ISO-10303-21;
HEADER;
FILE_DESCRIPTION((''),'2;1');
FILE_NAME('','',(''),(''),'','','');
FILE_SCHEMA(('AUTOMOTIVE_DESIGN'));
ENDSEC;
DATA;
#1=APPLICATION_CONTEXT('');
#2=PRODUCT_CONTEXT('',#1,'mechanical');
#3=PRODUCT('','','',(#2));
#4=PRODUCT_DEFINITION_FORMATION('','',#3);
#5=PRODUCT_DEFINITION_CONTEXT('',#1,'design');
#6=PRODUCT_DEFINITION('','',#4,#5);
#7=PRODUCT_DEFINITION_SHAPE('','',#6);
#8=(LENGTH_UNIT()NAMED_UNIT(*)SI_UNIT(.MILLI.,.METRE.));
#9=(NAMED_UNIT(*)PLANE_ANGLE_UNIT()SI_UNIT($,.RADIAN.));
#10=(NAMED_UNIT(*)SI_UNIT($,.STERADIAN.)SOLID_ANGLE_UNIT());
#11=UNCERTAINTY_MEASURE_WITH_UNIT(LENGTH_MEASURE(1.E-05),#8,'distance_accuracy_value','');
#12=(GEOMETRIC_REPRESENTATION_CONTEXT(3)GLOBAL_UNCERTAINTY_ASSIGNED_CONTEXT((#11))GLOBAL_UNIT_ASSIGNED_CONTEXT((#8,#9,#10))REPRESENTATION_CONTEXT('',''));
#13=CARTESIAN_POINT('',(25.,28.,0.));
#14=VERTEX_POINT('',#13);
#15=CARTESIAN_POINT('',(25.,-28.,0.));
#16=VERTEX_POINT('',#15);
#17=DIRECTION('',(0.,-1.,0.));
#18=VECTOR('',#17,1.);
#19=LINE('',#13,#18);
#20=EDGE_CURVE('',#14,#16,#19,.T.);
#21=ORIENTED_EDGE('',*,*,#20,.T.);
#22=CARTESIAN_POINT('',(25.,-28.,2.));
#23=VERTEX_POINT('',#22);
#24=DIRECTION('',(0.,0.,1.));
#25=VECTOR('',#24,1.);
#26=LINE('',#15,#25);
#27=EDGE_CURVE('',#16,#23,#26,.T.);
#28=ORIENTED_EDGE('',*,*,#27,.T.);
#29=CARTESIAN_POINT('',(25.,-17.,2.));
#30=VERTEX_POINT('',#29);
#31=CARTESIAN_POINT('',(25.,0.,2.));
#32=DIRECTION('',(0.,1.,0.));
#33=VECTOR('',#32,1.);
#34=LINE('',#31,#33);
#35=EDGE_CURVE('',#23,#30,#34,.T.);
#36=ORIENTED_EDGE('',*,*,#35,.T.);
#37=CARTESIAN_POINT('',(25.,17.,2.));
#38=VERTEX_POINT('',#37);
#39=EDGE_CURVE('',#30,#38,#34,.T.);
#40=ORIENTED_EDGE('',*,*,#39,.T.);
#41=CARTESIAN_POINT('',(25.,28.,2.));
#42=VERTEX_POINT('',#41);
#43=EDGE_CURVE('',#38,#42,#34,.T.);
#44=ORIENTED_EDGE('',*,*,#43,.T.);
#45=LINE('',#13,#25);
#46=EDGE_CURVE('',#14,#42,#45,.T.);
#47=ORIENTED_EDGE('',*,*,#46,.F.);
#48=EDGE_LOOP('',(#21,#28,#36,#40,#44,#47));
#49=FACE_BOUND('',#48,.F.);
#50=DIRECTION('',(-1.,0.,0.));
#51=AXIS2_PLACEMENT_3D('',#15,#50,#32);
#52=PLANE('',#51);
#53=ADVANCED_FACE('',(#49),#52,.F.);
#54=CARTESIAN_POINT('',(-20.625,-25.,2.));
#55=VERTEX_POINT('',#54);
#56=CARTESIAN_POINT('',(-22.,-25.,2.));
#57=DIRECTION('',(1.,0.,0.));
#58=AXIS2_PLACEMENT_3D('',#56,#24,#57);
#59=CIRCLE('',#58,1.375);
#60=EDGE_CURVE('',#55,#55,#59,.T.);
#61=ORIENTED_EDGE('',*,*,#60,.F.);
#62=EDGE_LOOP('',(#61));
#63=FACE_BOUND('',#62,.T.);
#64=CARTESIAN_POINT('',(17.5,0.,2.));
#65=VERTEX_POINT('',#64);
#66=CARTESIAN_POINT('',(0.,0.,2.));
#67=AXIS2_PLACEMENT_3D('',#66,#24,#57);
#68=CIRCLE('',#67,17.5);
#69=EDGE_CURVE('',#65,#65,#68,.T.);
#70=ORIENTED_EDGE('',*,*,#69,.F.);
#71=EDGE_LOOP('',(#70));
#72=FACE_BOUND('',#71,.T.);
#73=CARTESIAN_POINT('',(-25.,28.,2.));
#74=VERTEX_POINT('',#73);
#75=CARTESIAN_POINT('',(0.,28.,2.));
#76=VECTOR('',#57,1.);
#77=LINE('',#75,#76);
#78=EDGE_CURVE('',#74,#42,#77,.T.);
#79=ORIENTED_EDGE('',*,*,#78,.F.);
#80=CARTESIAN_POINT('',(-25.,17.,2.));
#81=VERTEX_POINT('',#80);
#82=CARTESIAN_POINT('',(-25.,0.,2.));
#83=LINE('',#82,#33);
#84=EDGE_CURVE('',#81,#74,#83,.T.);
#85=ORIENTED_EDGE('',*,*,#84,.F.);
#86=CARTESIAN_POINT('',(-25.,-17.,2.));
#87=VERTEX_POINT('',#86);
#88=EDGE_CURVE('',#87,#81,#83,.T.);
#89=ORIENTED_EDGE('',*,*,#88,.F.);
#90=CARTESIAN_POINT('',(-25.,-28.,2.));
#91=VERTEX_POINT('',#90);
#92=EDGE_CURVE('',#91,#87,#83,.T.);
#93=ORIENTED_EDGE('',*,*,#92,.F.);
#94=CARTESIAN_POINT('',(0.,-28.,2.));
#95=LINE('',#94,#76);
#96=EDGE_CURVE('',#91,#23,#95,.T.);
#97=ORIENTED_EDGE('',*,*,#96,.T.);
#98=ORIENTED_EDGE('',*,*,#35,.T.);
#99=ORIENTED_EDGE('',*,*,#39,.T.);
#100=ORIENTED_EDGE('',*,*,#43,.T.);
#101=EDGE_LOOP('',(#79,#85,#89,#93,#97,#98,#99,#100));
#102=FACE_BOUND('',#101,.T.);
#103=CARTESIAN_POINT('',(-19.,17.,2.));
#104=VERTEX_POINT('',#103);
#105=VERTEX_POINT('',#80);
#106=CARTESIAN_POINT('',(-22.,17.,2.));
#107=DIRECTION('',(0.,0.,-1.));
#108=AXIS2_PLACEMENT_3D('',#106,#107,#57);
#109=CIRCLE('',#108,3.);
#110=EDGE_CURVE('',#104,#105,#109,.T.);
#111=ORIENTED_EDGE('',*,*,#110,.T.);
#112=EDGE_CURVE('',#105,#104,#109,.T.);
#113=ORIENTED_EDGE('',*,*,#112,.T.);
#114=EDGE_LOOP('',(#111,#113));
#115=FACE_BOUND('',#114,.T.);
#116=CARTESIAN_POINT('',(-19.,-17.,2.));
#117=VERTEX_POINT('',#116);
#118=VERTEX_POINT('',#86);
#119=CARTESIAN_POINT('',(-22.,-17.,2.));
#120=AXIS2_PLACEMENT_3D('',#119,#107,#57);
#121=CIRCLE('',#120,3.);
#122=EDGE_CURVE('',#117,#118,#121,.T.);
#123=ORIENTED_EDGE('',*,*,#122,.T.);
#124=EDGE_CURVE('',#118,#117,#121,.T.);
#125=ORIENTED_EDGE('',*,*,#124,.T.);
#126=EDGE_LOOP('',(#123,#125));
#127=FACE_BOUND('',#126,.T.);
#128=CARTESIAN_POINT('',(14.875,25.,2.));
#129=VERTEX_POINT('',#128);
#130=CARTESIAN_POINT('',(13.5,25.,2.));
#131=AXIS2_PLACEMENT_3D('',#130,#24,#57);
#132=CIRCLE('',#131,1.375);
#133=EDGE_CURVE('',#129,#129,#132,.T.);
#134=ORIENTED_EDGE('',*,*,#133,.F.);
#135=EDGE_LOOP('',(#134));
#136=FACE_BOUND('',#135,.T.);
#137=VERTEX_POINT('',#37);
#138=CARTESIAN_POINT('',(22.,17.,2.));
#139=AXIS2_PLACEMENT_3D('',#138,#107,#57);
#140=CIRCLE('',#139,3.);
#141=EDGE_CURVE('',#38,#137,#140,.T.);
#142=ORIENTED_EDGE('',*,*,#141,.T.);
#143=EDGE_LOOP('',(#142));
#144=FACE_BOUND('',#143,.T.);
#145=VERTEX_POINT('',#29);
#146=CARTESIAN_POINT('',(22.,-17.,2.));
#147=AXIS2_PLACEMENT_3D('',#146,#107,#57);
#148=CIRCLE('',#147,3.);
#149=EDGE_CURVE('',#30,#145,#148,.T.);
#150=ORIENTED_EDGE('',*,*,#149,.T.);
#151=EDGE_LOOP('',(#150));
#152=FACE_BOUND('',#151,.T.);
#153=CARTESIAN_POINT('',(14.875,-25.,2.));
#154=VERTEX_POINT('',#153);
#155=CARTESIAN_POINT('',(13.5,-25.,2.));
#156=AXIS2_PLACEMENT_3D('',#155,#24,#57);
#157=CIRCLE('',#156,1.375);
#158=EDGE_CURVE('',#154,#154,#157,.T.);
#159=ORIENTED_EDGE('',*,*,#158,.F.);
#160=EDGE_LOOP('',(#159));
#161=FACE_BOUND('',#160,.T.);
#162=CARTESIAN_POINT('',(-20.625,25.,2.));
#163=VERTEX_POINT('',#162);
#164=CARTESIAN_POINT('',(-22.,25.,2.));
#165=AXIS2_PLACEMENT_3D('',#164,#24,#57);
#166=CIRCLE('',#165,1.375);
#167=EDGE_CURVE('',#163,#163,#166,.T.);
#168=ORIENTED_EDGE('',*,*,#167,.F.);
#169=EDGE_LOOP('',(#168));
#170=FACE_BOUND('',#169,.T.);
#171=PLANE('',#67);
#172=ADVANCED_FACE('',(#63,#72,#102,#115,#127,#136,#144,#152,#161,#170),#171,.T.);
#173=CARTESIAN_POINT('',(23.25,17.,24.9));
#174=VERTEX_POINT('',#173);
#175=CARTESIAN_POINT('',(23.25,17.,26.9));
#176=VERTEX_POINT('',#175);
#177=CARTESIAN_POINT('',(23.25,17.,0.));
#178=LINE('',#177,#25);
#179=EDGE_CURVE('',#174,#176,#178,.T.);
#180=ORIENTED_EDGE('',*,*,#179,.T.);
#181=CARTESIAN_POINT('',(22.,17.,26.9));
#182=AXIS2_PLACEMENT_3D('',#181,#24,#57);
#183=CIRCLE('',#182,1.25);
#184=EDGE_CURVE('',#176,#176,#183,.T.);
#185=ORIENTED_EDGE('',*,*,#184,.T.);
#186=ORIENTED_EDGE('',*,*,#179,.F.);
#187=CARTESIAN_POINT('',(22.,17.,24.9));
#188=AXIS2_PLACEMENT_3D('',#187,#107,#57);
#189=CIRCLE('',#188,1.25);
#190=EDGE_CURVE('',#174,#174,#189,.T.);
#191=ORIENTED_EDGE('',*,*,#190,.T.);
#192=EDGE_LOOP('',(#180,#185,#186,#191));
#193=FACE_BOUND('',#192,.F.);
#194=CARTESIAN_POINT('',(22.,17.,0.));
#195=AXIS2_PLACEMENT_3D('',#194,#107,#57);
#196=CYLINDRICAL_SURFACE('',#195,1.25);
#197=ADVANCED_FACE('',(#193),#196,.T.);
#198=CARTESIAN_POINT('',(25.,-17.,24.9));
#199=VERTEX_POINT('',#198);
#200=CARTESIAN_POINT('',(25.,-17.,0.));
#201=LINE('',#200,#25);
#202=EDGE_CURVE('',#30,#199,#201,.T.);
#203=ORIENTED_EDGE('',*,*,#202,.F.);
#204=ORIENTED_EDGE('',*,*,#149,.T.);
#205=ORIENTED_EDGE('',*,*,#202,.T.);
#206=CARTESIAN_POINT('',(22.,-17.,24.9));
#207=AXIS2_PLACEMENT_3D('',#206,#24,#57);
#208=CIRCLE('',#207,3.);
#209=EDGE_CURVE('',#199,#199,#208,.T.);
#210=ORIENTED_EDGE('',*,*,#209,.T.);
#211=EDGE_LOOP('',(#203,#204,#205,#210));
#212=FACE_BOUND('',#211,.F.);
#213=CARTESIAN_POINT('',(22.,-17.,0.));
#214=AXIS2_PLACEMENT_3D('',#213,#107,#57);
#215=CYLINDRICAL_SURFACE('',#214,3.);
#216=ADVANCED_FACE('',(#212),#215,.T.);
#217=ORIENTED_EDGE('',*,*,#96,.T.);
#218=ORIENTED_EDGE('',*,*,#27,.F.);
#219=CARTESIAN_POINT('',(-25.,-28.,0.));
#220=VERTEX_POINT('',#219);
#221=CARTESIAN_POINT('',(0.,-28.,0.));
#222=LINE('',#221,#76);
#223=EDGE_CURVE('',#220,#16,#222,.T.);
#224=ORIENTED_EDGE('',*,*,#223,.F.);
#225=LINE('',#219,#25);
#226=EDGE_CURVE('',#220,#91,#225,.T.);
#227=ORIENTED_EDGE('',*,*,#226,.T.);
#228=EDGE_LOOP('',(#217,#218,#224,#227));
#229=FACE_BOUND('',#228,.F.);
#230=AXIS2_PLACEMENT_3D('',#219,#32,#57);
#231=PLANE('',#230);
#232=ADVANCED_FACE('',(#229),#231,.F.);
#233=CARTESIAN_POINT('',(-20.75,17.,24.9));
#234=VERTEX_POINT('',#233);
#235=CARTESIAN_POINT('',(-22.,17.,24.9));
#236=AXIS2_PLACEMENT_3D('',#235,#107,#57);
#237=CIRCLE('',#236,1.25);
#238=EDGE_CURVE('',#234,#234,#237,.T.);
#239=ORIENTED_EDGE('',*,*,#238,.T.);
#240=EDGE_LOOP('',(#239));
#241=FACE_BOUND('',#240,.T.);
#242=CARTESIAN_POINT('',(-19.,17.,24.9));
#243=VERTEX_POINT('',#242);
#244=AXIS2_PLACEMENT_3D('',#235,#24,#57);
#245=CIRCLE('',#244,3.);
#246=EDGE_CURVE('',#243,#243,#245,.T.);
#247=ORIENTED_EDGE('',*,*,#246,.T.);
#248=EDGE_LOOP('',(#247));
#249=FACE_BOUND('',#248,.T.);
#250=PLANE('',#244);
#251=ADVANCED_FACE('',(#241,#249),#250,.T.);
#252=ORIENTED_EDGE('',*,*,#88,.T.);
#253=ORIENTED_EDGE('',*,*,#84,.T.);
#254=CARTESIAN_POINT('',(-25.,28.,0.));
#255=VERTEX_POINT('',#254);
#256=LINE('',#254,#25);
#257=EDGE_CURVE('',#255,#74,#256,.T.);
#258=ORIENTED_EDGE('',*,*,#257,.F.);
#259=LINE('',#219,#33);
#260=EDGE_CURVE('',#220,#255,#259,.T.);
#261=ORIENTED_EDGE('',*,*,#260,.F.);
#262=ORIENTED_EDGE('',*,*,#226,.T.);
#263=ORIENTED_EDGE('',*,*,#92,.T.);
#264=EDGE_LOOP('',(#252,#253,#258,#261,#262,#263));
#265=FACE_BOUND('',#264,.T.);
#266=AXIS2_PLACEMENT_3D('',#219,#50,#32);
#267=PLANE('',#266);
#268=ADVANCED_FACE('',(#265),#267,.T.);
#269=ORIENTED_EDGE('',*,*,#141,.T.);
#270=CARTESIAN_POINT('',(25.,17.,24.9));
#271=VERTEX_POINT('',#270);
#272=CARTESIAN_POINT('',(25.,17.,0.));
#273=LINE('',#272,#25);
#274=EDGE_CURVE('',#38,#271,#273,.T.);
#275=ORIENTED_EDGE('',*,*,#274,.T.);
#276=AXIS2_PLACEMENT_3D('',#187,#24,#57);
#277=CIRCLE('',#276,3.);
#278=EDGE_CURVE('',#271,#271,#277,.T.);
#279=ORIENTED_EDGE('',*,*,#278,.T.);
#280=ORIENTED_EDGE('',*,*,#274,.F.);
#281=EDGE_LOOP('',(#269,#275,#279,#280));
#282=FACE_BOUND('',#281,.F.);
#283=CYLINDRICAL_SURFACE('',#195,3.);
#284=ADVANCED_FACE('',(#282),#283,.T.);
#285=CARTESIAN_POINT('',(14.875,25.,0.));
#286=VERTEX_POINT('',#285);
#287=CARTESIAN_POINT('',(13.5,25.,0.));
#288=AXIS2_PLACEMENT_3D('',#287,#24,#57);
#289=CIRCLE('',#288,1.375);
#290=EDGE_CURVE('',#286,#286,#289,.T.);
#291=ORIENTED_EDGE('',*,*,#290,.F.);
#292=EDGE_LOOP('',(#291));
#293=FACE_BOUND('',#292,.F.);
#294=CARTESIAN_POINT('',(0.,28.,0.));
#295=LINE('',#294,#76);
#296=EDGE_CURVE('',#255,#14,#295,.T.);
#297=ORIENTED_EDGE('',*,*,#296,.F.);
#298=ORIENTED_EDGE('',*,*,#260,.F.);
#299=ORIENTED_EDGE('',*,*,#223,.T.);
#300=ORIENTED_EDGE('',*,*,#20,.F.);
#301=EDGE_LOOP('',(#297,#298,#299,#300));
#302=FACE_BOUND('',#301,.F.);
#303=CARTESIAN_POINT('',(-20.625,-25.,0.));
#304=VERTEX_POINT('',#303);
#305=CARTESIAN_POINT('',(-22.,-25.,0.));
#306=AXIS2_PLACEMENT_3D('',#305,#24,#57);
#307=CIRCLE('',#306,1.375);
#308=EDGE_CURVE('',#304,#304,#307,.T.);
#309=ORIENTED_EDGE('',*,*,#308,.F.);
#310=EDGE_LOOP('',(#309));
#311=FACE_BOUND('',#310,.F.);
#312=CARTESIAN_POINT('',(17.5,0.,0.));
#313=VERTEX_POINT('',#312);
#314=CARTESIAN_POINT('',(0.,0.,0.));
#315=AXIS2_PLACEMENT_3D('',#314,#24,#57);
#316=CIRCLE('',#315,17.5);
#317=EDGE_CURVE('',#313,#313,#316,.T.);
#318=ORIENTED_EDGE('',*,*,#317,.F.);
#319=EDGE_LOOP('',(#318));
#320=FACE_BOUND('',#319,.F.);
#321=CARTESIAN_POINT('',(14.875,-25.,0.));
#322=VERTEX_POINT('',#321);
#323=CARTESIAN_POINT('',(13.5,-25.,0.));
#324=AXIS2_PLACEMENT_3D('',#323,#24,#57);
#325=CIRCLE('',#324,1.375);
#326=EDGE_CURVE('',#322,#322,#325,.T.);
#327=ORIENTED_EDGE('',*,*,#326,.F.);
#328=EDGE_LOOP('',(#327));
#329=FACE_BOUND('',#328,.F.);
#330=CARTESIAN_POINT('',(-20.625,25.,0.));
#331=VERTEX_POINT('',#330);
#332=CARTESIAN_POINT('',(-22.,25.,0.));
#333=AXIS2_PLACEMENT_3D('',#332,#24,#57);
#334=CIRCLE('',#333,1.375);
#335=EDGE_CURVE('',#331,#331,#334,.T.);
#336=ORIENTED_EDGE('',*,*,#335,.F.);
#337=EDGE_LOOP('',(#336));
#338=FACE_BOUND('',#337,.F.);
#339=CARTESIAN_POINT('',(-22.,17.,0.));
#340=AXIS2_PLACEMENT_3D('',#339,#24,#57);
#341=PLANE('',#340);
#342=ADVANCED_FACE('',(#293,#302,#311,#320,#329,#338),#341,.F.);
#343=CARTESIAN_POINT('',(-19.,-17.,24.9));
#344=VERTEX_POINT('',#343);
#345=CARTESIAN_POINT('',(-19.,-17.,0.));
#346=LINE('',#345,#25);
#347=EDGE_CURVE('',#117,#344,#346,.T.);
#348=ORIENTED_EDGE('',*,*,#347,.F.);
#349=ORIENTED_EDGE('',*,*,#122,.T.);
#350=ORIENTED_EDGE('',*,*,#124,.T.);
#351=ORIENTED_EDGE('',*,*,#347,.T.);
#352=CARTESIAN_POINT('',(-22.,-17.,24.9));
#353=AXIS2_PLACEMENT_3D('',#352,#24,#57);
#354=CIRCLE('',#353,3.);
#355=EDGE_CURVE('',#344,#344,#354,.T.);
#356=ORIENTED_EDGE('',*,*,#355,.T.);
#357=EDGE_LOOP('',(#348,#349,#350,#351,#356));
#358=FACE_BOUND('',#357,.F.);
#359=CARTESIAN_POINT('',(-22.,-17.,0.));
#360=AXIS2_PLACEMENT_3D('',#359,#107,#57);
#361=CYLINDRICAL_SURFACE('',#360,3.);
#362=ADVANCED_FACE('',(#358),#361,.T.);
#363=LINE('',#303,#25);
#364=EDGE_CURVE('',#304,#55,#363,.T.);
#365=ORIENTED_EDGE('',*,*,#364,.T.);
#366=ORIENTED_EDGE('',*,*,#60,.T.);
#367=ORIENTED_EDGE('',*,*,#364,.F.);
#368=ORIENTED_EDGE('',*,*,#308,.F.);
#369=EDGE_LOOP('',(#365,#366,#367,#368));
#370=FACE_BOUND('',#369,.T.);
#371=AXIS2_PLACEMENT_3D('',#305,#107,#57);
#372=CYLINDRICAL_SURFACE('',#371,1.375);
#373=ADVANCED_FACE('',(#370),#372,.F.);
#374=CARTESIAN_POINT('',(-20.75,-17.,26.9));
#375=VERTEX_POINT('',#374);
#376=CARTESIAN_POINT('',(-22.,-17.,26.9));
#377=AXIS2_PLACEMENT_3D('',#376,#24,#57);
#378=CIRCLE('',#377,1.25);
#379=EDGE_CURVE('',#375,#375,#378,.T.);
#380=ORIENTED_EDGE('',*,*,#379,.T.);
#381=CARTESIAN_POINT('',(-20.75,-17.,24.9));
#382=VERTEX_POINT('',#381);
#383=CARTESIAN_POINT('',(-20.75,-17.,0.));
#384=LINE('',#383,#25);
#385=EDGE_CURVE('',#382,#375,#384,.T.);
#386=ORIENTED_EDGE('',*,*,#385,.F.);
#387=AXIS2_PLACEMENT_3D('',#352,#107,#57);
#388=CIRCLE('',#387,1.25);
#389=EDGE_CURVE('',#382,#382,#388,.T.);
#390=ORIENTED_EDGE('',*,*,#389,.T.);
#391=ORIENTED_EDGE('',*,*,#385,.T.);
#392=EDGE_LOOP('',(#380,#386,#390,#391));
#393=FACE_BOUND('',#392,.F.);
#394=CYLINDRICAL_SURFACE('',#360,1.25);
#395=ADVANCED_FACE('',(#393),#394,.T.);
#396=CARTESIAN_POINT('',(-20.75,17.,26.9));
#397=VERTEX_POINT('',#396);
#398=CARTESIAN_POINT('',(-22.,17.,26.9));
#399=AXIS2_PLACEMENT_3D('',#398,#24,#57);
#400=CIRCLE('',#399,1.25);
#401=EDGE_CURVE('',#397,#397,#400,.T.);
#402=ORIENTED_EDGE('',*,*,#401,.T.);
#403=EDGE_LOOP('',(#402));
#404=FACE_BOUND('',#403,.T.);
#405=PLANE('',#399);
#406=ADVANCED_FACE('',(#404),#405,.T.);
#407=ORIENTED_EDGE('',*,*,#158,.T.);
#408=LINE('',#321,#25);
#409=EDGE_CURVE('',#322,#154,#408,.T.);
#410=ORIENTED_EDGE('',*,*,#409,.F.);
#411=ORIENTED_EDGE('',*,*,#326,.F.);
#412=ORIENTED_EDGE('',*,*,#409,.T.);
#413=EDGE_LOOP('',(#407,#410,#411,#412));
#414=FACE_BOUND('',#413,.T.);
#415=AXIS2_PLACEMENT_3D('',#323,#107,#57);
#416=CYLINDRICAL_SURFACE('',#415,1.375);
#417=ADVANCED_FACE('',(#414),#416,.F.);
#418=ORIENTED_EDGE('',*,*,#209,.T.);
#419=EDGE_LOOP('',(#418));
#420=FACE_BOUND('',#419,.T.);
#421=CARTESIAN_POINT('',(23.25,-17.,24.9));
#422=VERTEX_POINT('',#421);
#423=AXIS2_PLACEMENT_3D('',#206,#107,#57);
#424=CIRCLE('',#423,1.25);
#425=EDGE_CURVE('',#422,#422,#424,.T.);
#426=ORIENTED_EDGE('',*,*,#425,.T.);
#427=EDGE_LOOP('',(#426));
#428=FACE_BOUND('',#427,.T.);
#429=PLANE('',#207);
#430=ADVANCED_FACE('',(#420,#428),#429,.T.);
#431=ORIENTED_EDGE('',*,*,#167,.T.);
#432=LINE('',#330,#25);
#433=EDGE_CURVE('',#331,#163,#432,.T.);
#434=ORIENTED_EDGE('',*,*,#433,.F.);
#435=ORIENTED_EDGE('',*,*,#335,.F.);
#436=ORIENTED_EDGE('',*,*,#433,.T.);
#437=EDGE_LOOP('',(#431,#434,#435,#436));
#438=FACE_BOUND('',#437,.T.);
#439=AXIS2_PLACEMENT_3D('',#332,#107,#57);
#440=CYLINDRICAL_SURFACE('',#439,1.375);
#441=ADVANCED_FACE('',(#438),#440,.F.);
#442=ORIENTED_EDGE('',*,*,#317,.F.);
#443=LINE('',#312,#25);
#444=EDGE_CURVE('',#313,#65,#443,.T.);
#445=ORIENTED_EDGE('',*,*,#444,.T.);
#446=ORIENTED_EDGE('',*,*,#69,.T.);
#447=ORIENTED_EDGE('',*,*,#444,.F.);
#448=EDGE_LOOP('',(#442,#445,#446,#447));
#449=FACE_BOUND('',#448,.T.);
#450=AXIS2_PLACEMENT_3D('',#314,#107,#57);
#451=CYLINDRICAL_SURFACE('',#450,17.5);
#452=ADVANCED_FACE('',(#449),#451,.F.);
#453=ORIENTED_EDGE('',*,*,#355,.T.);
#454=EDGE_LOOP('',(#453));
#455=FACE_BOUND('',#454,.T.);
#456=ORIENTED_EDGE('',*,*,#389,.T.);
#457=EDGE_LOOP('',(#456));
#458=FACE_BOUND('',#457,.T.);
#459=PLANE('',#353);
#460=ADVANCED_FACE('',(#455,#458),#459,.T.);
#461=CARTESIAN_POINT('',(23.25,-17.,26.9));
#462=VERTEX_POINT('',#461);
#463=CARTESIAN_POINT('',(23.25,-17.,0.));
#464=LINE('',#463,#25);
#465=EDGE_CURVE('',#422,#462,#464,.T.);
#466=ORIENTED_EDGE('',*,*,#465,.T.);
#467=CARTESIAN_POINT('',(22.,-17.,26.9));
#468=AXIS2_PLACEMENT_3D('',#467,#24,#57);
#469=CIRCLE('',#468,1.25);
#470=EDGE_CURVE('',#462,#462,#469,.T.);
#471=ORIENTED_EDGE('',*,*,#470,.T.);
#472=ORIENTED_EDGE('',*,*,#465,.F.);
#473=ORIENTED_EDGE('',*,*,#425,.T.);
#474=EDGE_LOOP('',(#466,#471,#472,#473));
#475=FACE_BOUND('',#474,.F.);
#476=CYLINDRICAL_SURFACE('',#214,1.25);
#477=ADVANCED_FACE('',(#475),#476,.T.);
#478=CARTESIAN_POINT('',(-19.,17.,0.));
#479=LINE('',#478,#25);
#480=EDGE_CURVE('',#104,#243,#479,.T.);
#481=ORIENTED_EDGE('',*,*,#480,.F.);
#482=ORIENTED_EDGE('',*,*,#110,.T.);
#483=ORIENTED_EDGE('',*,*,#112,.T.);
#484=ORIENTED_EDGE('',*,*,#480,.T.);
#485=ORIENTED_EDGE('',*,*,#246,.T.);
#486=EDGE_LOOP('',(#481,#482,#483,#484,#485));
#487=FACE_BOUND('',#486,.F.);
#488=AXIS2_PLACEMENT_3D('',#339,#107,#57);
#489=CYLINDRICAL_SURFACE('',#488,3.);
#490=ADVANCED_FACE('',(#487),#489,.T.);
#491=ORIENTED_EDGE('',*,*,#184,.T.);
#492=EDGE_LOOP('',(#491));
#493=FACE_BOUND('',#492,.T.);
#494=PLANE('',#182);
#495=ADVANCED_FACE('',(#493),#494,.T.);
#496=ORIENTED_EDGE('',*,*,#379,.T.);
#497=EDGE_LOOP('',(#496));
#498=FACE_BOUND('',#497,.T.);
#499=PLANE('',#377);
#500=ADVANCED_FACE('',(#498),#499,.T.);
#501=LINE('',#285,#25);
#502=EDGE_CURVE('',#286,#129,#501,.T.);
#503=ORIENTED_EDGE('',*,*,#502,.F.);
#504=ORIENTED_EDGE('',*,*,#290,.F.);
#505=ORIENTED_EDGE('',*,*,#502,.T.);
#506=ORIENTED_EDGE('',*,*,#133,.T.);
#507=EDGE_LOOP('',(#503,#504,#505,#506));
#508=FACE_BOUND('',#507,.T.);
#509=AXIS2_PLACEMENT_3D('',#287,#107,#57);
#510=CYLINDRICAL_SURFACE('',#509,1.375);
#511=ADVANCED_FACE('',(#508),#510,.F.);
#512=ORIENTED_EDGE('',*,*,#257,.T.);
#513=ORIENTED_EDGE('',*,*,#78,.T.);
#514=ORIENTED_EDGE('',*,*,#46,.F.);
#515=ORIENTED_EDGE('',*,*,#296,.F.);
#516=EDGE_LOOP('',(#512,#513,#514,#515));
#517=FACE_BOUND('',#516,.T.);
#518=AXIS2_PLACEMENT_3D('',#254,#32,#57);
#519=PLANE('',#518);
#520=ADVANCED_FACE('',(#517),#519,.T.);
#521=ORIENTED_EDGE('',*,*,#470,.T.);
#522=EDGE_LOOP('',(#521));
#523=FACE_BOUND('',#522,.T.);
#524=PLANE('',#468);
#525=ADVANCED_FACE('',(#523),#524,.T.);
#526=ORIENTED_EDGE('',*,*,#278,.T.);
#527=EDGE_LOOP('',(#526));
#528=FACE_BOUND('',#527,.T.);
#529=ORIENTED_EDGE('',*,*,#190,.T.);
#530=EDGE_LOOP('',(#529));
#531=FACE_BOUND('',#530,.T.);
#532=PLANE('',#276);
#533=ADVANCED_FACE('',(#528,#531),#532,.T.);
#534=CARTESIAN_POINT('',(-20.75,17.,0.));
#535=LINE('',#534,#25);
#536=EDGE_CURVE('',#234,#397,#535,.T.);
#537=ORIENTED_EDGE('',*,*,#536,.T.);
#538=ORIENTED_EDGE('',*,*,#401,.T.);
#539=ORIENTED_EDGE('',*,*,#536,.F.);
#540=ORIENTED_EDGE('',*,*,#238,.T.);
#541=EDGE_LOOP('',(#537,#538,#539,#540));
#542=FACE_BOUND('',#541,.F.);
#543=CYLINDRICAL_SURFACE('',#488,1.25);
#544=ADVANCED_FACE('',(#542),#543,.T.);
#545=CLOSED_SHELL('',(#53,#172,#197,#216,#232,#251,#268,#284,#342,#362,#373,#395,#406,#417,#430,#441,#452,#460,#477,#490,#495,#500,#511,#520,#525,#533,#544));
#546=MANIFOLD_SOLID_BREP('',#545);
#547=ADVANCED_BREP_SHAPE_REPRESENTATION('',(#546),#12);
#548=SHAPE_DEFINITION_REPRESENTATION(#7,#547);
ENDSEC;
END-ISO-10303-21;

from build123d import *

# Parameters (mm, degrees)
SKETCH_W     = 50
SKETCH_H     = 56
SKETCH_R     = 1.375
SKETCH_R_2   = 17.5
PAD_DEPTH    = 2
SKETCH001_R  = 3
PAD001_DEPTH = 24.9
SKETCH002_R  = 1.25
PAD002_DEPTH = 26.9


with BuildPart() as part:
    # Sketch → Pad (new body)
    with BuildSketch(Plane.XY):
        Rectangle(SKETCH_W, SKETCH_H)
        with Locations((-22, 25)):
            Circle(SKETCH_R, mode=Mode.SUBTRACT)
        with Locations((13.5, 25)):
            Circle(SKETCH_R, mode=Mode.SUBTRACT)
        with Locations((-22, -25)):
            Circle(SKETCH_R, mode=Mode.SUBTRACT)
        with Locations((13.5, -25)):
            Circle(SKETCH_R, mode=Mode.SUBTRACT)
        Circle(SKETCH_R_2, mode=Mode.SUBTRACT)
    extrude(amount=PAD_DEPTH)

    # Sketch001 → Pad001 (join)
    with BuildSketch(Plane.XY):
        with Locations((-22, 17)):
            Circle(SKETCH001_R)
        with Locations((22, 17)):
            Circle(SKETCH001_R)
        with Locations((22, -17)):
            Circle(SKETCH001_R)
        with Locations((-22, -17)):
            Circle(SKETCH001_R)
    extrude(amount=PAD001_DEPTH)

    # Sketch002 → Pad002 (join)
    with BuildSketch(Plane.XY):
        with Locations((-22, 17)):
            Circle(SKETCH002_R)
        with Locations((22, 17)):
            Circle(SKETCH002_R)
        with Locations((22, -17)):
            Circle(SKETCH002_R)
        with Locations((-22, -17)):
            Circle(SKETCH002_R)
    extrude(amount=PAD002_DEPTH)


solid = part.part
